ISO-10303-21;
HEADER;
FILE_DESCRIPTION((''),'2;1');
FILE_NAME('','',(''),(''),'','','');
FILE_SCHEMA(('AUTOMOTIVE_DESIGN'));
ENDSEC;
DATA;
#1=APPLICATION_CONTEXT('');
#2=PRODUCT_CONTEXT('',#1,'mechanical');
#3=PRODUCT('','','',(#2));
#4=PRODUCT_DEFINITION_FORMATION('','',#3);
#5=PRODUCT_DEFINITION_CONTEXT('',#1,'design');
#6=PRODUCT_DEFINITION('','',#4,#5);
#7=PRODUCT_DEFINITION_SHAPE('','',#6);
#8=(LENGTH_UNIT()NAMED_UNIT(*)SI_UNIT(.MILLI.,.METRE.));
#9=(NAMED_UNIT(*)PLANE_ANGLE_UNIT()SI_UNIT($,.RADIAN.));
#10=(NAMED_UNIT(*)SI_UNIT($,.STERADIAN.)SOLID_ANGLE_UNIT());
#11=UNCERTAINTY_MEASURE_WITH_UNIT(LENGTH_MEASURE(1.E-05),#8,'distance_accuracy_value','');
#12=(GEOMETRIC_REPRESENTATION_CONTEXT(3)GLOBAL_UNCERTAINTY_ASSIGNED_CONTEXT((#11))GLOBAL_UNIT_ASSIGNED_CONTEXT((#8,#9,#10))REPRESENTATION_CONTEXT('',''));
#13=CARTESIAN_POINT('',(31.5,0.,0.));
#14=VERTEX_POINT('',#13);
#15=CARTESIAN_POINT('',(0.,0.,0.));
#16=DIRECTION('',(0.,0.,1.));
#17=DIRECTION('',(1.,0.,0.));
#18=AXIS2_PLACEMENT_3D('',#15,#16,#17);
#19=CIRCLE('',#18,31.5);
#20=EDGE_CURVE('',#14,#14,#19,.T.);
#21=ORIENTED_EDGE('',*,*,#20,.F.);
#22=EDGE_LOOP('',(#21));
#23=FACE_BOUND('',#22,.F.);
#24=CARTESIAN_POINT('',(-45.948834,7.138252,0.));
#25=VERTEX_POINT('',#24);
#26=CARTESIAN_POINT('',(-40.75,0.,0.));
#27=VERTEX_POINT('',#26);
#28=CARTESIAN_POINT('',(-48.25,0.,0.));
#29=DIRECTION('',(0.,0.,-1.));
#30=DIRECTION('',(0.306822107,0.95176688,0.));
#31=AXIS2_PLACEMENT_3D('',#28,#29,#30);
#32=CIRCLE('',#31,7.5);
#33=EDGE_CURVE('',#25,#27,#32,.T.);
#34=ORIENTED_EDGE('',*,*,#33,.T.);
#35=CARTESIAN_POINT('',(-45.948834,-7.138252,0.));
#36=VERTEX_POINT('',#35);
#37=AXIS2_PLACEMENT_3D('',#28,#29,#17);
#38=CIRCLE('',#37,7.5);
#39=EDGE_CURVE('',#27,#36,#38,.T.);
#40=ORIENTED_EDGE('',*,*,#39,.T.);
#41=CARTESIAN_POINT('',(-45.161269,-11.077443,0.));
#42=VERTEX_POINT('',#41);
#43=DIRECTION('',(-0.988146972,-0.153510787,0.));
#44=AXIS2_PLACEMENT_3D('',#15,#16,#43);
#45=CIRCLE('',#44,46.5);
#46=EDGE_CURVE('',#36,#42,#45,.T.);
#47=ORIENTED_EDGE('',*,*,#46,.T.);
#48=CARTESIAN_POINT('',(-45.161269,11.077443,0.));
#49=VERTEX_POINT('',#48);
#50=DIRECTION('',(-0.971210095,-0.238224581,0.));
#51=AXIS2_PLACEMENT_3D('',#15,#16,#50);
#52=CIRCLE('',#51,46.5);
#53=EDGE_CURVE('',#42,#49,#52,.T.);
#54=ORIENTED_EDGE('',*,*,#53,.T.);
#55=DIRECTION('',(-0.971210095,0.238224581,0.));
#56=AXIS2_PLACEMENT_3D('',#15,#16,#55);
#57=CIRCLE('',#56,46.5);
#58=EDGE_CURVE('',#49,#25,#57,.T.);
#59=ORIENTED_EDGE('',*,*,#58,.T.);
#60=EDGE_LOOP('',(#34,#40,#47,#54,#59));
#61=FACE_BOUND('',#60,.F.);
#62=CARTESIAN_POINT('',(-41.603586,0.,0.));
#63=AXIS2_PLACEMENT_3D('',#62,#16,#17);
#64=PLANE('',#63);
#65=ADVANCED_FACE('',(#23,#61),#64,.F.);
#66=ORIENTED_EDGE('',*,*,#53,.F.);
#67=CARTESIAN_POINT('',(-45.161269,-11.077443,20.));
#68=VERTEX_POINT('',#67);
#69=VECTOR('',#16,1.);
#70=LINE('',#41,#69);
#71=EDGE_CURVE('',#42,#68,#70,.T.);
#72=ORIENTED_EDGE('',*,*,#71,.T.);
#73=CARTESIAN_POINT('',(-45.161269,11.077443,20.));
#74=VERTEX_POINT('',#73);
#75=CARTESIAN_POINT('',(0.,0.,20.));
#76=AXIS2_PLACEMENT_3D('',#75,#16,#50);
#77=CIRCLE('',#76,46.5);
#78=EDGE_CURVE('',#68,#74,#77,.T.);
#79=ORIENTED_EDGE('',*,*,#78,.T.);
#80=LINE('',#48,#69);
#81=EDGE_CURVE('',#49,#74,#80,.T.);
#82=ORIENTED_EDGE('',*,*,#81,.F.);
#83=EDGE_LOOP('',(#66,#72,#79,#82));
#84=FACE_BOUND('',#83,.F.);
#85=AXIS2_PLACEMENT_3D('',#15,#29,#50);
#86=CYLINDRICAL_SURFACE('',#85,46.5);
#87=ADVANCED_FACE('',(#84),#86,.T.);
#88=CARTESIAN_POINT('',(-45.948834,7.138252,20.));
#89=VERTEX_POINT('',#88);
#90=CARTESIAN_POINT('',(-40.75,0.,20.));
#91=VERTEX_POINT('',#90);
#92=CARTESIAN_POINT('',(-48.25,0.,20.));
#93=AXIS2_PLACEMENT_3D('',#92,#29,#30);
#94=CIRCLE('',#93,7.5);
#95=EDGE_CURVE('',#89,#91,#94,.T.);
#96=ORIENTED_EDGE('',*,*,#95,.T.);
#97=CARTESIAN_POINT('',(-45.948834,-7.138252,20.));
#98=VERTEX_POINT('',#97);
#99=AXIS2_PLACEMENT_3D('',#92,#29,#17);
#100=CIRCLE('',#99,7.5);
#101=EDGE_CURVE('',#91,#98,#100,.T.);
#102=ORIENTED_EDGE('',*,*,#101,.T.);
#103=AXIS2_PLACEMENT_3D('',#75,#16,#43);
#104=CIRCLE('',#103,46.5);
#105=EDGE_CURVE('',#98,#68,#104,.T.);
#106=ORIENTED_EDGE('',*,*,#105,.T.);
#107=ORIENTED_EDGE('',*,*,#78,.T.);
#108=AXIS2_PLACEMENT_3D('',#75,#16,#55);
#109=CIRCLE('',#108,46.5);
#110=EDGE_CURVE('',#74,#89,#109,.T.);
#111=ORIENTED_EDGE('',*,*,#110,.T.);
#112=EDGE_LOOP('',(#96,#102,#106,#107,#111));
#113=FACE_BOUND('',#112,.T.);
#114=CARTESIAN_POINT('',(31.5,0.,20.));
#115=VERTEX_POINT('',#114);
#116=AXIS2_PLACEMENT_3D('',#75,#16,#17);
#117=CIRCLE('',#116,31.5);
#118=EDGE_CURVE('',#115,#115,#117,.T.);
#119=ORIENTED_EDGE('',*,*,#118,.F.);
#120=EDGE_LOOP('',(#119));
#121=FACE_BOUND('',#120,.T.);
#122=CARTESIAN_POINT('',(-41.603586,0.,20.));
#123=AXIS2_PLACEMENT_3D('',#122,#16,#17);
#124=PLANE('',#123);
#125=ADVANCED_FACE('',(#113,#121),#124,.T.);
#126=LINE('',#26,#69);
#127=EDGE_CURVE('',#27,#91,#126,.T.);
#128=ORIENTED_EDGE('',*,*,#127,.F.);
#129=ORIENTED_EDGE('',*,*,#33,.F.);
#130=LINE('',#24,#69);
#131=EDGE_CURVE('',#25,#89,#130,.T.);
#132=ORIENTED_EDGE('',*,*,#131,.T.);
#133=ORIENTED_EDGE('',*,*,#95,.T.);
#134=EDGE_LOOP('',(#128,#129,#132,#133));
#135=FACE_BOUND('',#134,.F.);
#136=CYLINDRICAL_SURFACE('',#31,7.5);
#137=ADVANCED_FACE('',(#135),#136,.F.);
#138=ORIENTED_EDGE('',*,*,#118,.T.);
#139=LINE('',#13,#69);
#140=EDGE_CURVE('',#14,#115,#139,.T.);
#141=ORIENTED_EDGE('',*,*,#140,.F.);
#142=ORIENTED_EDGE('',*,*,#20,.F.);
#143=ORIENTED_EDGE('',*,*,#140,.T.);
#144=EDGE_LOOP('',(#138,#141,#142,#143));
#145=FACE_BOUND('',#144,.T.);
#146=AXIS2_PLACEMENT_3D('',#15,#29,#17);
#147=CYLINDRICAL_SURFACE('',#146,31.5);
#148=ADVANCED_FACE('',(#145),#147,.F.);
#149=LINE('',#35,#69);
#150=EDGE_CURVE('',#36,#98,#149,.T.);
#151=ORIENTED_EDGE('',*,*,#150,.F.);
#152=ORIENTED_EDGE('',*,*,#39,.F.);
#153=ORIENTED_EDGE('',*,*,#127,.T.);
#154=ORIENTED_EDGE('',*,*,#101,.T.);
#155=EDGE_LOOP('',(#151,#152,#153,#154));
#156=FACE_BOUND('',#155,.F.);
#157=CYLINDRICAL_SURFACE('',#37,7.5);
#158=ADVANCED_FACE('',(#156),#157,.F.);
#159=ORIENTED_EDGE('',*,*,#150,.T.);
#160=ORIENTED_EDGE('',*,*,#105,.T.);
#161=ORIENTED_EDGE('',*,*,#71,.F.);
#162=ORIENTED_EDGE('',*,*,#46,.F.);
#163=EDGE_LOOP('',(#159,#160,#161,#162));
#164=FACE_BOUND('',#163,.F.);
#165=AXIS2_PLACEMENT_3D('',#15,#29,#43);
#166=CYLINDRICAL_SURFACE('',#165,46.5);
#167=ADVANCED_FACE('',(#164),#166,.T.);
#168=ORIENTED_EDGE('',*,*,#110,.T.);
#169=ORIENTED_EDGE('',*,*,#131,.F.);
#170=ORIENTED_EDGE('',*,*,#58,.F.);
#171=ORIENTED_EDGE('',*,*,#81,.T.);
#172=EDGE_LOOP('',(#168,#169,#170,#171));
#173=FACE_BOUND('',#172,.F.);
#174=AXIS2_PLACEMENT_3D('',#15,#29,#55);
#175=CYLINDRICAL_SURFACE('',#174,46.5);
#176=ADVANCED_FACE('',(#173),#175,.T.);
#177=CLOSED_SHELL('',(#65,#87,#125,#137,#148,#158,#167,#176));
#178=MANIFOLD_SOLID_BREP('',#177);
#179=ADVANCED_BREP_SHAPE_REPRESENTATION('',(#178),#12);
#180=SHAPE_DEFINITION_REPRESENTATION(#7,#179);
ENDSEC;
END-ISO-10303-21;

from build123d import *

# Parameters (mm, degrees)
F0_R     = 31.5
F1_DEPTH = 20


with BuildPart() as f1:
    # F0 (on Top) → F1 (new body)
    with BuildSketch(Plane.XY):
        with BuildLine():
            ThreePointArc((-36.75, 0), (-39.0911135624, 6.9544805142), (-45.1612694301, 11.0774430022))
            ThreePointArc((-45.1612694301, 11.0774430022), (-45.5976101671, 9.1163560183), (-45.9488341969, 7.1382516029))
            ThreePointArc((-45.9488341969, 7.1382516029), (-42.1874616074, 4.4153854009), (-40.75, 0))
            ThreePointArc((-40.75, 0), (-42.1874616074, -4.4153854009), (-45.9488341969, -7.1382516029))
            ThreePointArc((-45.9488341969, -7.1382516029), (-45.5976101671, -9.1163560183), (-45.1612694301, -11.0774430022))
            ThreePointArc((-45.1612694301, -11.0774430022), (-39.0911135624, -6.9544805142), (-36.75, 0))
        make_face()
        with BuildLine():
            ThreePointArc((-45.1612694301, -11.0774430022), (5.579021935, -46.1641041747), (46.5, 0))
            ThreePointArc((46.5, 0), (5.579021935, 46.1641041747), (-45.1612694301, 11.0774430022))
            ThreePointArc((-45.1612694301, 11.0774430022), (-39.0911135624, 6.9544805142), (-36.75, 0))
            ThreePointArc((-36.75, 0), (-39.0911135624, -6.9544805142), (-45.1612694301, -11.0774430022))
        make_face()
        Circle(F0_R, mode=Mode.SUBTRACT)
    extrude(amount=F1_DEPTH)


solid = f1.part
